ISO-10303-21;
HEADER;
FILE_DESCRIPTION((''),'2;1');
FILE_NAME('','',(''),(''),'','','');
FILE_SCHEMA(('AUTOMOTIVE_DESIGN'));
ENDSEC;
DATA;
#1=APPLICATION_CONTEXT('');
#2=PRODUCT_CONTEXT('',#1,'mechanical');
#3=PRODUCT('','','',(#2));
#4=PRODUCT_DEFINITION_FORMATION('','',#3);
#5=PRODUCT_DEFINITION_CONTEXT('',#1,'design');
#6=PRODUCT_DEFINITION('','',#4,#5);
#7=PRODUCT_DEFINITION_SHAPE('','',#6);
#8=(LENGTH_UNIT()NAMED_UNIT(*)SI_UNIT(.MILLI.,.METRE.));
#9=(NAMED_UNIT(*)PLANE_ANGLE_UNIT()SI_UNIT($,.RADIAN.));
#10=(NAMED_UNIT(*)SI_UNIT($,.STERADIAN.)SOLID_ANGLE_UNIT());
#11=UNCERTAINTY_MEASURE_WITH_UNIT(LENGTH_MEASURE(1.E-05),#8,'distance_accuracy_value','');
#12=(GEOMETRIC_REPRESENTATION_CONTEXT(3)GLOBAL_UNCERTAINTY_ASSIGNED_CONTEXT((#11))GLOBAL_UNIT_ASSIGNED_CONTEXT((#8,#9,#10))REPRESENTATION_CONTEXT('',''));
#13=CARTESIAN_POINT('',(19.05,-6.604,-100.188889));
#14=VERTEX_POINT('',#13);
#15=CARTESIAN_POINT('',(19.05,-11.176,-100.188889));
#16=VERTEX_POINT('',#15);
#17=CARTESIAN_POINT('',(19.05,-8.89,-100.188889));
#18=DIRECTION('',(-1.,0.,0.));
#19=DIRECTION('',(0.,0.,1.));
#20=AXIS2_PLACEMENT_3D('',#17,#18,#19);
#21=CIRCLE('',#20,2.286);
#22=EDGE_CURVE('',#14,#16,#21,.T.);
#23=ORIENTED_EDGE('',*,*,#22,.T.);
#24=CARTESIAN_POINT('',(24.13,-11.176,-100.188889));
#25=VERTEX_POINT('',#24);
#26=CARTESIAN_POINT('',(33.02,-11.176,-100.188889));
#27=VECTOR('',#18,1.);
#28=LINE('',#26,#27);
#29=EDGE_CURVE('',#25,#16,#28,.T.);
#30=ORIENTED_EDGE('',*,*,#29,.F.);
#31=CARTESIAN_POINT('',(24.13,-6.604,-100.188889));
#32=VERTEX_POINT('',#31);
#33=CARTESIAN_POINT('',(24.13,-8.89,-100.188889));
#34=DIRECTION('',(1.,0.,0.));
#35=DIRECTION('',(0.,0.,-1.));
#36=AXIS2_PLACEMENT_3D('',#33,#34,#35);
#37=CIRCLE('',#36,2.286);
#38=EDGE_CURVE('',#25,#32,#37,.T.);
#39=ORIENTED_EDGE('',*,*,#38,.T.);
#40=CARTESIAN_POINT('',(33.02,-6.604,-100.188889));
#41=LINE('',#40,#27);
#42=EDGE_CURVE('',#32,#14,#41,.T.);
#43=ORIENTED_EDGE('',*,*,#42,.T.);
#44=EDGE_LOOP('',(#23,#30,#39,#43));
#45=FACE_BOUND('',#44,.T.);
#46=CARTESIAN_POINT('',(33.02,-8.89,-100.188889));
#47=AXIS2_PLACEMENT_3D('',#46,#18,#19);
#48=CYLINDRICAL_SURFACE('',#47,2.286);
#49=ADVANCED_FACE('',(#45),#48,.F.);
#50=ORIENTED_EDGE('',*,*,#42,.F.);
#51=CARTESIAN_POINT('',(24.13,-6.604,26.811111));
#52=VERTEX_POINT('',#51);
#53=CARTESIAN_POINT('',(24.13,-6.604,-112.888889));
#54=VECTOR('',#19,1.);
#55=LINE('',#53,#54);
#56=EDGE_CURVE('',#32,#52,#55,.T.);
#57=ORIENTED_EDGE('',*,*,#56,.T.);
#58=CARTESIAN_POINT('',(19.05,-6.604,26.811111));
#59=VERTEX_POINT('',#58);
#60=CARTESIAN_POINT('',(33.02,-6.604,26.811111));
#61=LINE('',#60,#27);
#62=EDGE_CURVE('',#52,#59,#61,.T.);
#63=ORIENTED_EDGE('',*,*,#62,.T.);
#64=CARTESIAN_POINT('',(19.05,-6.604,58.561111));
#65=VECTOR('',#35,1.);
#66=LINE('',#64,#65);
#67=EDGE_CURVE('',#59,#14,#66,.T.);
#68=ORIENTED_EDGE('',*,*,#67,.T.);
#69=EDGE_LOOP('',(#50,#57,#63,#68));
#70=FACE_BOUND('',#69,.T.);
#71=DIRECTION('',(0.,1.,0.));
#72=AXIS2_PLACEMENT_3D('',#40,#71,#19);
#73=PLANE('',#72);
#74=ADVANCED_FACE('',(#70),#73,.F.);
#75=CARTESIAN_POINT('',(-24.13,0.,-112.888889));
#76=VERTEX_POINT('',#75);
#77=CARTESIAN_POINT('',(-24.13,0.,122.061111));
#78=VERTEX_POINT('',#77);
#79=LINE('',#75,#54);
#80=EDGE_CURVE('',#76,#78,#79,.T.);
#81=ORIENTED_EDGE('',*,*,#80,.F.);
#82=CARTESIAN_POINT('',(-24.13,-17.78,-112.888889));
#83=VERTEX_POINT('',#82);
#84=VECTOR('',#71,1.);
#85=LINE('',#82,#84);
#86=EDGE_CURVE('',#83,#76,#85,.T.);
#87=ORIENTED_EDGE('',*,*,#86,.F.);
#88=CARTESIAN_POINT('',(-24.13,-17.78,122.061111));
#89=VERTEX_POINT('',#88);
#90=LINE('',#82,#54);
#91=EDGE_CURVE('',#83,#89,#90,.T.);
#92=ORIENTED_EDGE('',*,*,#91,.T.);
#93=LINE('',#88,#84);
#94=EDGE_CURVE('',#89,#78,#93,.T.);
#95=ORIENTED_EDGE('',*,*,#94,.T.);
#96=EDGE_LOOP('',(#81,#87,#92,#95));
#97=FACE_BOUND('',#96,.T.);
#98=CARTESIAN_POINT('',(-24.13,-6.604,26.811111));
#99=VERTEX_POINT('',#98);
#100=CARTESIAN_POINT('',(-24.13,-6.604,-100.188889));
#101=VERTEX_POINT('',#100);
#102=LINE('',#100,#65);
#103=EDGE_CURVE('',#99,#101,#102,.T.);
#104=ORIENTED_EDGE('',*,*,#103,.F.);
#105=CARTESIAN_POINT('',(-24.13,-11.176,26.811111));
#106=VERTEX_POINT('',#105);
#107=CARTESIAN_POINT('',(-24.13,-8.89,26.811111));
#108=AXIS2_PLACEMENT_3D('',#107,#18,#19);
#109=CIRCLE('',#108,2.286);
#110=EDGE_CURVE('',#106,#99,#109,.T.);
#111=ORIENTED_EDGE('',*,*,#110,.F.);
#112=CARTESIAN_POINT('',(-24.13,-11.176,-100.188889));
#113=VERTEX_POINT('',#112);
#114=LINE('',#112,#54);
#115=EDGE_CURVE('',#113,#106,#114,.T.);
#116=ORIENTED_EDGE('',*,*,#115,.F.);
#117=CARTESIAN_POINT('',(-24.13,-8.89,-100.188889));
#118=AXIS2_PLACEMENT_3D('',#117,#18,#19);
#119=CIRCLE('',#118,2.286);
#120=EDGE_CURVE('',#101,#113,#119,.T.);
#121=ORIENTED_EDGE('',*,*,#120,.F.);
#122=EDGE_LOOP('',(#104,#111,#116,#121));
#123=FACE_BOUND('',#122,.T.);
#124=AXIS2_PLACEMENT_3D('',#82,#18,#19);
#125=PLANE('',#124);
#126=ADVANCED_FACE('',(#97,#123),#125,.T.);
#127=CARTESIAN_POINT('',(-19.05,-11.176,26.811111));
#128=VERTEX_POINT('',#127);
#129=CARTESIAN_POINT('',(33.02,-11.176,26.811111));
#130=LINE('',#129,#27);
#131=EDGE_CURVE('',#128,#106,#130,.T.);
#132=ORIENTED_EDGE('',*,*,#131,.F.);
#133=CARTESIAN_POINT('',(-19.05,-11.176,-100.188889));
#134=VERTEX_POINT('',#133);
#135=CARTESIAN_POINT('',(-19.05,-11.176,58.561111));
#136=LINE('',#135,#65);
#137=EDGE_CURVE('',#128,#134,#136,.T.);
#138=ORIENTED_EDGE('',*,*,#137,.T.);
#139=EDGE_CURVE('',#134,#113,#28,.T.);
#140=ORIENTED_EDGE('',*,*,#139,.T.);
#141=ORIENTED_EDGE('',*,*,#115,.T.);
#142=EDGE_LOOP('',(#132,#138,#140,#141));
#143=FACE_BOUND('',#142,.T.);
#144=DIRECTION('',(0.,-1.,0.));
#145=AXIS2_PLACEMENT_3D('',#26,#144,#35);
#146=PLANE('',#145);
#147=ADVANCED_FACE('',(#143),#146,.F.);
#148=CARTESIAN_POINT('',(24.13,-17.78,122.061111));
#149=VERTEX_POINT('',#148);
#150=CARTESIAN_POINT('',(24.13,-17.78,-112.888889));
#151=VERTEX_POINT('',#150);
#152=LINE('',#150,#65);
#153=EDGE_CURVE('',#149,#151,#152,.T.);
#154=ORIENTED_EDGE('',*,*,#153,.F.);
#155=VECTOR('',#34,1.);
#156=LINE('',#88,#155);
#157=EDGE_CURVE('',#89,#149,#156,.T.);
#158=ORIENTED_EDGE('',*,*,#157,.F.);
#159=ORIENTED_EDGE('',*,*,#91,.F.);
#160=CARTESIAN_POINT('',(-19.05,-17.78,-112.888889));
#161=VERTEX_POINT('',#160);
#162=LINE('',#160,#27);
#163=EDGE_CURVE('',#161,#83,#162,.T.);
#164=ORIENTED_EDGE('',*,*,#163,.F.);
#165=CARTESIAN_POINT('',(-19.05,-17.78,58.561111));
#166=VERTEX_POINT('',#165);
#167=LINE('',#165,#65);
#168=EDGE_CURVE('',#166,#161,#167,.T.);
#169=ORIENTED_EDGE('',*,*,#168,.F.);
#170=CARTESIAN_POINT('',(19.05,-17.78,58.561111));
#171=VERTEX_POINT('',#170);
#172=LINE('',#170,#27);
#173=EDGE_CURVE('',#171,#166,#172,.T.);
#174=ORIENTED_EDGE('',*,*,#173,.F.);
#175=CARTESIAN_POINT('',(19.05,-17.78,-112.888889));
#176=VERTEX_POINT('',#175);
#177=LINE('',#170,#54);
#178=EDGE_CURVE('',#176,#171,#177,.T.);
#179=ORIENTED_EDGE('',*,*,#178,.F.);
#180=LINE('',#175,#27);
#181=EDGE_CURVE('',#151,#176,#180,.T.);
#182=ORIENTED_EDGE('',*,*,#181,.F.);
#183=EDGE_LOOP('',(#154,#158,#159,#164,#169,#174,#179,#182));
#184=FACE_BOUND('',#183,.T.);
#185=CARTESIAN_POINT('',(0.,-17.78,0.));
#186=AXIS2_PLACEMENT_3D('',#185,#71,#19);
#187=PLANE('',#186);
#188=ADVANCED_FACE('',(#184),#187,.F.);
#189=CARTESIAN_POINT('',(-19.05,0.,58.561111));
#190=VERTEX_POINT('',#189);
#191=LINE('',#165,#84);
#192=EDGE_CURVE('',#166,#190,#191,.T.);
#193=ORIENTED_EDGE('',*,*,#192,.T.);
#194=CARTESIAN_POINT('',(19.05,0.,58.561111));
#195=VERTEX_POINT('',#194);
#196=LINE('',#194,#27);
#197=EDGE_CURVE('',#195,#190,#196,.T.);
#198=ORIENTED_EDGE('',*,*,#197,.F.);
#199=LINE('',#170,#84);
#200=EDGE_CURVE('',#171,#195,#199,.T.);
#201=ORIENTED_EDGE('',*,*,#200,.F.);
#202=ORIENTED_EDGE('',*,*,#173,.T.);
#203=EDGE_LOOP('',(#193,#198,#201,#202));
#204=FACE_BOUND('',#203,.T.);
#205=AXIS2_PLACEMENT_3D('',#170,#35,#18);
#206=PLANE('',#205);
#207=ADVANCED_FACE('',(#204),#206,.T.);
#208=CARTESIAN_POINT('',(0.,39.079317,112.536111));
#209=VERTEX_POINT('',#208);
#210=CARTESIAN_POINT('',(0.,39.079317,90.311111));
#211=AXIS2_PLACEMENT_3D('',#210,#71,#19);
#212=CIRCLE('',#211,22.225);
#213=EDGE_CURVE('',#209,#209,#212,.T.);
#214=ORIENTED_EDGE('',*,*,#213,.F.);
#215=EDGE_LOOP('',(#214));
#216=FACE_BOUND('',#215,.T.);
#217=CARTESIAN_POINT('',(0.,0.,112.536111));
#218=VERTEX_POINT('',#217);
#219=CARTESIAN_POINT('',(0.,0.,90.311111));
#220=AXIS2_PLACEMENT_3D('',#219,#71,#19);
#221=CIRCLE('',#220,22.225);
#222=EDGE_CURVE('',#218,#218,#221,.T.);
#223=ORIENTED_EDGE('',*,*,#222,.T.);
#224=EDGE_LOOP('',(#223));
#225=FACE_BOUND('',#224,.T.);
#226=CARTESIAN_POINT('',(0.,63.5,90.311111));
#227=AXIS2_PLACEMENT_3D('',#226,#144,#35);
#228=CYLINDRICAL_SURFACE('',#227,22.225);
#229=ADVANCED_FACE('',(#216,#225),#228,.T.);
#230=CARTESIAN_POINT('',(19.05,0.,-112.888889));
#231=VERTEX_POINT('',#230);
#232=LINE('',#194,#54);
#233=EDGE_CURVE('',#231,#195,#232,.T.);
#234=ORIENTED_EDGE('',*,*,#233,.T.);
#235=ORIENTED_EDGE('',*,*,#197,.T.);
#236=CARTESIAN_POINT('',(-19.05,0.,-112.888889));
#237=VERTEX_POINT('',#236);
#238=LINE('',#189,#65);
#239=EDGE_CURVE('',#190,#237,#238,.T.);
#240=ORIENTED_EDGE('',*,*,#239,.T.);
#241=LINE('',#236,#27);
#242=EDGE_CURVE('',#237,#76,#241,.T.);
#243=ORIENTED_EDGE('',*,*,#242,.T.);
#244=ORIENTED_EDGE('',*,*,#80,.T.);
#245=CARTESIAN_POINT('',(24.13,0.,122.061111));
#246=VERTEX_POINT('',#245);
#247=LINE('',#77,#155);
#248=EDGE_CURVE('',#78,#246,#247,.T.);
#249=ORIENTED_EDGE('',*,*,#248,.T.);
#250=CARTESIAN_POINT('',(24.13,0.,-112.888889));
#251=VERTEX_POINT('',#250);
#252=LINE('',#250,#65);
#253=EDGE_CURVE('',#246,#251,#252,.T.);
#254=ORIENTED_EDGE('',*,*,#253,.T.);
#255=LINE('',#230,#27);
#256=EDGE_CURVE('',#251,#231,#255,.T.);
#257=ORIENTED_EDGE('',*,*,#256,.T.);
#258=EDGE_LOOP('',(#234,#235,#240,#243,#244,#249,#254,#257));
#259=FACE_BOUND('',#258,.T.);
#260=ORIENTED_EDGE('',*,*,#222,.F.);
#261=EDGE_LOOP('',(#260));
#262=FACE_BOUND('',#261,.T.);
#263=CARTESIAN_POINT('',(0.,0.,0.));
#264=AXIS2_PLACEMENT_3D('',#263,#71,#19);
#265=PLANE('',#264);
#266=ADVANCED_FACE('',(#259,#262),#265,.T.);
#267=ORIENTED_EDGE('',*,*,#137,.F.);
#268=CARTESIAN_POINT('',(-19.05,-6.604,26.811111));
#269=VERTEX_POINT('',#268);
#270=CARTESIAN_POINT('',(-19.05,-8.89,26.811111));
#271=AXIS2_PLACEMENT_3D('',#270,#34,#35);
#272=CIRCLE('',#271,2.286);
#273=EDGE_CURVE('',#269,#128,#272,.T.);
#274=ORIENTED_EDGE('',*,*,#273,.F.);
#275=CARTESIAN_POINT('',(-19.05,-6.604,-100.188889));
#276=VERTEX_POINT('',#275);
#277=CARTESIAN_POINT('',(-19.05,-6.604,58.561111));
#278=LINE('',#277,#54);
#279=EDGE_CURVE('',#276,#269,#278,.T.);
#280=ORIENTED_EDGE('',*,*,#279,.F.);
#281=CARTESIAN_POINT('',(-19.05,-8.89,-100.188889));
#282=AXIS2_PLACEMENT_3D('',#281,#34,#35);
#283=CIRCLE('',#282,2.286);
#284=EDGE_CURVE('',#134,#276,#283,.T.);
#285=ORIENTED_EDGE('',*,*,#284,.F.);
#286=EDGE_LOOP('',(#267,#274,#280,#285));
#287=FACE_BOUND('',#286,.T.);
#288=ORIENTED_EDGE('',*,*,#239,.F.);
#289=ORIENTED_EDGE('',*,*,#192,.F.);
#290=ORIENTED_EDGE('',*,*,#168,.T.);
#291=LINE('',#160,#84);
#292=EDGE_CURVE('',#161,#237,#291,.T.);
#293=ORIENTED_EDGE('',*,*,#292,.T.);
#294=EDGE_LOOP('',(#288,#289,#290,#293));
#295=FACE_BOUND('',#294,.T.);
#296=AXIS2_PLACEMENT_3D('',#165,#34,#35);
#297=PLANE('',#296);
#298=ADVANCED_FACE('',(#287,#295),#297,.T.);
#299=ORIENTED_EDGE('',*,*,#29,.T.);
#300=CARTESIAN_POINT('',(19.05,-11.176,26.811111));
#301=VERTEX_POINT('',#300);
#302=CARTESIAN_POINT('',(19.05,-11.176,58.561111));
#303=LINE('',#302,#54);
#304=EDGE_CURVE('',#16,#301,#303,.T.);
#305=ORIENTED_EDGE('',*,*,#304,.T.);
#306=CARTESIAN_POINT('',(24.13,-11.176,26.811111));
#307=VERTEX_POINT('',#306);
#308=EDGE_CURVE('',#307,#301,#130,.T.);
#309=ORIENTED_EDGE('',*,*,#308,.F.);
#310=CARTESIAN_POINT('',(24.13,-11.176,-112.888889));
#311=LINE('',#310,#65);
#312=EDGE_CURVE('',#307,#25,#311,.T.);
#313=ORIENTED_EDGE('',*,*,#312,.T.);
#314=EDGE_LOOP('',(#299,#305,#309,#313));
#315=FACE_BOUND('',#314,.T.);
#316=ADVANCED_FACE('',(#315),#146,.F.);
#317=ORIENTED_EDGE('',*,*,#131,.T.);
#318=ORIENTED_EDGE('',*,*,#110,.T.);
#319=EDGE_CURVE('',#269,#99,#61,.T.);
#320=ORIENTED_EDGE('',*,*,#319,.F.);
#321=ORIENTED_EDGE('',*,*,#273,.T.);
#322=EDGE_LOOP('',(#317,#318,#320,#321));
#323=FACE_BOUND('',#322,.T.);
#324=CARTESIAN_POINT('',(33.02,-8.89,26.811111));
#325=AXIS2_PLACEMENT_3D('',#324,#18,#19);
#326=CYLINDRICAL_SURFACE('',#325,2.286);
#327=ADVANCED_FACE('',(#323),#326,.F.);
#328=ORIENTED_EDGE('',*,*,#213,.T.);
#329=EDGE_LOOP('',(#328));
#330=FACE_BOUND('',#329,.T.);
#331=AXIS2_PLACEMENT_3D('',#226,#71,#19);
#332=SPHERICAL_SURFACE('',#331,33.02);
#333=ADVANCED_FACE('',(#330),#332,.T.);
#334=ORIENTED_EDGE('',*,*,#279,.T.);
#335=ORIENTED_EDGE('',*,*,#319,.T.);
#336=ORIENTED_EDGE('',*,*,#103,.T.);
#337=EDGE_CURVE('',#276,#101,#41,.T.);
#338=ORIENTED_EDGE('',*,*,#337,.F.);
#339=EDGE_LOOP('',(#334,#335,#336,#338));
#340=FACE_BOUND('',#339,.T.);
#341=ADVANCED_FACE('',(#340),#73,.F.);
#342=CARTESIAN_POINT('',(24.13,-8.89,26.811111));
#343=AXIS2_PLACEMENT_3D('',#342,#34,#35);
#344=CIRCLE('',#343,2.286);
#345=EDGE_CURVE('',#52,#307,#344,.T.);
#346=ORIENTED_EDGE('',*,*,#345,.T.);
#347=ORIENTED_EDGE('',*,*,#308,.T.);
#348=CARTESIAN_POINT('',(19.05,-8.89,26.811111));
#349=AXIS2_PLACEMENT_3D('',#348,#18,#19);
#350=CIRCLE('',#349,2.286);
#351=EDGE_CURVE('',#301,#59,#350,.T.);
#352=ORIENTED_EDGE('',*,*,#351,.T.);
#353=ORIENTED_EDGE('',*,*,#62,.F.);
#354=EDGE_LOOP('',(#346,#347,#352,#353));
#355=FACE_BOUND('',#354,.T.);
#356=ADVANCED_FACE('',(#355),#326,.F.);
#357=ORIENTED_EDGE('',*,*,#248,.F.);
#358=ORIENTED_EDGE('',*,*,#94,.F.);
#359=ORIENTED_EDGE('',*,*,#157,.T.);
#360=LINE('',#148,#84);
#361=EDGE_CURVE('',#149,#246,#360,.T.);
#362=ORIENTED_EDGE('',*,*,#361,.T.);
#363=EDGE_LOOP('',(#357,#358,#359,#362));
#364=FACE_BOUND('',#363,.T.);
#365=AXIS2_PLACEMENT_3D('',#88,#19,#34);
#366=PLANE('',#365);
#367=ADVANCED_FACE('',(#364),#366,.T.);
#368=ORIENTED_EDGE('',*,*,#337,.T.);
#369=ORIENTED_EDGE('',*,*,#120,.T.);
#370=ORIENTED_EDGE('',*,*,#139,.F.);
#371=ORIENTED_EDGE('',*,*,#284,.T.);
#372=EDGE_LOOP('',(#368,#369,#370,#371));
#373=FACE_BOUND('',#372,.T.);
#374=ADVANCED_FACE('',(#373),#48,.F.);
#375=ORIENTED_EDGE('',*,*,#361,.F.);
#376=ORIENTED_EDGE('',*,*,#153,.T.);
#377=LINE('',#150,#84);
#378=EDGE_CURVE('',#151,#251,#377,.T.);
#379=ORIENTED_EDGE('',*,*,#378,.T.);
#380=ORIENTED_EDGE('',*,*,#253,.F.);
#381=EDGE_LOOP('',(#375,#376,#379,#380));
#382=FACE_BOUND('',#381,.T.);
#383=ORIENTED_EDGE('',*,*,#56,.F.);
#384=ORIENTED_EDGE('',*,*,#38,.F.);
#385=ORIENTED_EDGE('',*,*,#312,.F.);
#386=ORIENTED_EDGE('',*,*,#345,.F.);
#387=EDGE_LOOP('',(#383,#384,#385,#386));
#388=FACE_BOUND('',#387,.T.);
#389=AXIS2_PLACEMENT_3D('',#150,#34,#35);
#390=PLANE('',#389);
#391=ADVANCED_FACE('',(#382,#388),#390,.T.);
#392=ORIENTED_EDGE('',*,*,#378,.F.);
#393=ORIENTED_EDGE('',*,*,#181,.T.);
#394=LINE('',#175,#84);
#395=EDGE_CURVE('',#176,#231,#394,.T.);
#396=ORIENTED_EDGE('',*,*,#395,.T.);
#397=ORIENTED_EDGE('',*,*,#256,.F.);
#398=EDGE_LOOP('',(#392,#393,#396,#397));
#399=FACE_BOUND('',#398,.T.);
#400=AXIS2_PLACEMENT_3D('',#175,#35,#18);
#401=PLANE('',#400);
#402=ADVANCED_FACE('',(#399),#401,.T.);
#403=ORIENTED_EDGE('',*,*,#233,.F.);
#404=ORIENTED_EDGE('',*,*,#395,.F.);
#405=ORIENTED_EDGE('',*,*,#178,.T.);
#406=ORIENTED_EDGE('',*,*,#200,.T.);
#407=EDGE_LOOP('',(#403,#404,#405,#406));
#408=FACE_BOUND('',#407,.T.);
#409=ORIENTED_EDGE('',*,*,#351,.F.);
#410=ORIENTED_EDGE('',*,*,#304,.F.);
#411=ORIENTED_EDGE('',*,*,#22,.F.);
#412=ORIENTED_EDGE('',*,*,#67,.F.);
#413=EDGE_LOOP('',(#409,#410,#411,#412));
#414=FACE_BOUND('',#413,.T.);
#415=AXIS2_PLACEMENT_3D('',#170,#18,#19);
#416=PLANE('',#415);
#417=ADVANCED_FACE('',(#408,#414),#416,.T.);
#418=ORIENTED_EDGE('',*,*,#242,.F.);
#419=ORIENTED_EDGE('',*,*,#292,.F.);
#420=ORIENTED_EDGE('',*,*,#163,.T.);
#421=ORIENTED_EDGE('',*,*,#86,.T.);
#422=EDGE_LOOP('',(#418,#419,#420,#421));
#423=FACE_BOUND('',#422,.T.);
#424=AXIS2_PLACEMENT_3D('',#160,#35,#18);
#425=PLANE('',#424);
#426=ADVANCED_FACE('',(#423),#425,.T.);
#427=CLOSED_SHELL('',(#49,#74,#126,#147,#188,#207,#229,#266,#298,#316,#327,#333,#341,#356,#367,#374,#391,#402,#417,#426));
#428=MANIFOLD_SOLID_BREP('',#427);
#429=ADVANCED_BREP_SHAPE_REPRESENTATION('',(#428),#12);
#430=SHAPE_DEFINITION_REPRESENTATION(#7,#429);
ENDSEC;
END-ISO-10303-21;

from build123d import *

# Parameters (mm, degrees)
BOSS_EXTRUDE1_DEPTH = 17.78
SKETCH3_R           = 22.225
BOSS_EXTRUDE2_DEPTH = 63.5
CUT_EXTRUDE1_DEPTH  = 167.711714849


with BuildPart() as part:
    # Sketch1 → Boss-Extrude1 (new body)
    with BuildSketch(Plane(origin=(0, 0, 0), x_dir=(1, 0, 0), z_dir=(0, 1, 0))):
        Polygon((-19.05, 112.888888889), (-24.13, 112.888888889), (-24.13, -122.061111111), (24.13, -122.061111111), (24.13, 112.888888889), (19.05, 112.888888889), (19.05, -58.561111111), (-19.05, -58.561111111), align=None)
    extrude(amount=-BOSS_EXTRUDE1_DEPTH)

    # Sketch3 → Boss-Extrude2 (add)
    with BuildSketch(Plane(origin=(0, 0, 0), x_dir=(1, 0, 0), z_dir=(0, 1, 0))):
        with Locations((0, -90.311111111)):
            Circle(SKETCH3_R)
    extrude(amount=BOSS_EXTRUDE2_DEPTH)

    # Sketch5 → Revolve1 (revolve)
    with BuildSketch(Plane(origin=(0, 0, 90.311111111), x_dir=(0, -1, 0), z_dir=(0, 0, 1))):
        with BuildLine():
            Line((-63.5, -33.02), (-63.5, 33.02))
            ThreePointArc((-63.5, 33.02), (-96.52, 0), (-63.5, -33.02))
        make_face()
    revolve(axis=Axis((0, 63.5, 90.311111111), (1, 0, 0)))

    # Sketch6 → Cut-Extrude1 (cut, through all)
    with BuildSketch(Plane.ZY.offset(24.13)):
        with BuildLine():
            Line((-100.188888889, -6.604), (26.811111111, -6.604))
            ThreePointArc((26.811111111, -6.604), (29.097111111, -8.89), (26.811111111, -11.176))
            Line((26.811111111, -11.176), (-100.188888889, -11.176))
            ThreePointArc((-100.188888889, -11.176), (-102.474888889, -8.89), (-100.188888889, -6.604))
        make_face()
    extrude(amount=-CUT_EXTRUDE1_DEPTH, mode=Mode.SUBTRACT)


solid = part.part
